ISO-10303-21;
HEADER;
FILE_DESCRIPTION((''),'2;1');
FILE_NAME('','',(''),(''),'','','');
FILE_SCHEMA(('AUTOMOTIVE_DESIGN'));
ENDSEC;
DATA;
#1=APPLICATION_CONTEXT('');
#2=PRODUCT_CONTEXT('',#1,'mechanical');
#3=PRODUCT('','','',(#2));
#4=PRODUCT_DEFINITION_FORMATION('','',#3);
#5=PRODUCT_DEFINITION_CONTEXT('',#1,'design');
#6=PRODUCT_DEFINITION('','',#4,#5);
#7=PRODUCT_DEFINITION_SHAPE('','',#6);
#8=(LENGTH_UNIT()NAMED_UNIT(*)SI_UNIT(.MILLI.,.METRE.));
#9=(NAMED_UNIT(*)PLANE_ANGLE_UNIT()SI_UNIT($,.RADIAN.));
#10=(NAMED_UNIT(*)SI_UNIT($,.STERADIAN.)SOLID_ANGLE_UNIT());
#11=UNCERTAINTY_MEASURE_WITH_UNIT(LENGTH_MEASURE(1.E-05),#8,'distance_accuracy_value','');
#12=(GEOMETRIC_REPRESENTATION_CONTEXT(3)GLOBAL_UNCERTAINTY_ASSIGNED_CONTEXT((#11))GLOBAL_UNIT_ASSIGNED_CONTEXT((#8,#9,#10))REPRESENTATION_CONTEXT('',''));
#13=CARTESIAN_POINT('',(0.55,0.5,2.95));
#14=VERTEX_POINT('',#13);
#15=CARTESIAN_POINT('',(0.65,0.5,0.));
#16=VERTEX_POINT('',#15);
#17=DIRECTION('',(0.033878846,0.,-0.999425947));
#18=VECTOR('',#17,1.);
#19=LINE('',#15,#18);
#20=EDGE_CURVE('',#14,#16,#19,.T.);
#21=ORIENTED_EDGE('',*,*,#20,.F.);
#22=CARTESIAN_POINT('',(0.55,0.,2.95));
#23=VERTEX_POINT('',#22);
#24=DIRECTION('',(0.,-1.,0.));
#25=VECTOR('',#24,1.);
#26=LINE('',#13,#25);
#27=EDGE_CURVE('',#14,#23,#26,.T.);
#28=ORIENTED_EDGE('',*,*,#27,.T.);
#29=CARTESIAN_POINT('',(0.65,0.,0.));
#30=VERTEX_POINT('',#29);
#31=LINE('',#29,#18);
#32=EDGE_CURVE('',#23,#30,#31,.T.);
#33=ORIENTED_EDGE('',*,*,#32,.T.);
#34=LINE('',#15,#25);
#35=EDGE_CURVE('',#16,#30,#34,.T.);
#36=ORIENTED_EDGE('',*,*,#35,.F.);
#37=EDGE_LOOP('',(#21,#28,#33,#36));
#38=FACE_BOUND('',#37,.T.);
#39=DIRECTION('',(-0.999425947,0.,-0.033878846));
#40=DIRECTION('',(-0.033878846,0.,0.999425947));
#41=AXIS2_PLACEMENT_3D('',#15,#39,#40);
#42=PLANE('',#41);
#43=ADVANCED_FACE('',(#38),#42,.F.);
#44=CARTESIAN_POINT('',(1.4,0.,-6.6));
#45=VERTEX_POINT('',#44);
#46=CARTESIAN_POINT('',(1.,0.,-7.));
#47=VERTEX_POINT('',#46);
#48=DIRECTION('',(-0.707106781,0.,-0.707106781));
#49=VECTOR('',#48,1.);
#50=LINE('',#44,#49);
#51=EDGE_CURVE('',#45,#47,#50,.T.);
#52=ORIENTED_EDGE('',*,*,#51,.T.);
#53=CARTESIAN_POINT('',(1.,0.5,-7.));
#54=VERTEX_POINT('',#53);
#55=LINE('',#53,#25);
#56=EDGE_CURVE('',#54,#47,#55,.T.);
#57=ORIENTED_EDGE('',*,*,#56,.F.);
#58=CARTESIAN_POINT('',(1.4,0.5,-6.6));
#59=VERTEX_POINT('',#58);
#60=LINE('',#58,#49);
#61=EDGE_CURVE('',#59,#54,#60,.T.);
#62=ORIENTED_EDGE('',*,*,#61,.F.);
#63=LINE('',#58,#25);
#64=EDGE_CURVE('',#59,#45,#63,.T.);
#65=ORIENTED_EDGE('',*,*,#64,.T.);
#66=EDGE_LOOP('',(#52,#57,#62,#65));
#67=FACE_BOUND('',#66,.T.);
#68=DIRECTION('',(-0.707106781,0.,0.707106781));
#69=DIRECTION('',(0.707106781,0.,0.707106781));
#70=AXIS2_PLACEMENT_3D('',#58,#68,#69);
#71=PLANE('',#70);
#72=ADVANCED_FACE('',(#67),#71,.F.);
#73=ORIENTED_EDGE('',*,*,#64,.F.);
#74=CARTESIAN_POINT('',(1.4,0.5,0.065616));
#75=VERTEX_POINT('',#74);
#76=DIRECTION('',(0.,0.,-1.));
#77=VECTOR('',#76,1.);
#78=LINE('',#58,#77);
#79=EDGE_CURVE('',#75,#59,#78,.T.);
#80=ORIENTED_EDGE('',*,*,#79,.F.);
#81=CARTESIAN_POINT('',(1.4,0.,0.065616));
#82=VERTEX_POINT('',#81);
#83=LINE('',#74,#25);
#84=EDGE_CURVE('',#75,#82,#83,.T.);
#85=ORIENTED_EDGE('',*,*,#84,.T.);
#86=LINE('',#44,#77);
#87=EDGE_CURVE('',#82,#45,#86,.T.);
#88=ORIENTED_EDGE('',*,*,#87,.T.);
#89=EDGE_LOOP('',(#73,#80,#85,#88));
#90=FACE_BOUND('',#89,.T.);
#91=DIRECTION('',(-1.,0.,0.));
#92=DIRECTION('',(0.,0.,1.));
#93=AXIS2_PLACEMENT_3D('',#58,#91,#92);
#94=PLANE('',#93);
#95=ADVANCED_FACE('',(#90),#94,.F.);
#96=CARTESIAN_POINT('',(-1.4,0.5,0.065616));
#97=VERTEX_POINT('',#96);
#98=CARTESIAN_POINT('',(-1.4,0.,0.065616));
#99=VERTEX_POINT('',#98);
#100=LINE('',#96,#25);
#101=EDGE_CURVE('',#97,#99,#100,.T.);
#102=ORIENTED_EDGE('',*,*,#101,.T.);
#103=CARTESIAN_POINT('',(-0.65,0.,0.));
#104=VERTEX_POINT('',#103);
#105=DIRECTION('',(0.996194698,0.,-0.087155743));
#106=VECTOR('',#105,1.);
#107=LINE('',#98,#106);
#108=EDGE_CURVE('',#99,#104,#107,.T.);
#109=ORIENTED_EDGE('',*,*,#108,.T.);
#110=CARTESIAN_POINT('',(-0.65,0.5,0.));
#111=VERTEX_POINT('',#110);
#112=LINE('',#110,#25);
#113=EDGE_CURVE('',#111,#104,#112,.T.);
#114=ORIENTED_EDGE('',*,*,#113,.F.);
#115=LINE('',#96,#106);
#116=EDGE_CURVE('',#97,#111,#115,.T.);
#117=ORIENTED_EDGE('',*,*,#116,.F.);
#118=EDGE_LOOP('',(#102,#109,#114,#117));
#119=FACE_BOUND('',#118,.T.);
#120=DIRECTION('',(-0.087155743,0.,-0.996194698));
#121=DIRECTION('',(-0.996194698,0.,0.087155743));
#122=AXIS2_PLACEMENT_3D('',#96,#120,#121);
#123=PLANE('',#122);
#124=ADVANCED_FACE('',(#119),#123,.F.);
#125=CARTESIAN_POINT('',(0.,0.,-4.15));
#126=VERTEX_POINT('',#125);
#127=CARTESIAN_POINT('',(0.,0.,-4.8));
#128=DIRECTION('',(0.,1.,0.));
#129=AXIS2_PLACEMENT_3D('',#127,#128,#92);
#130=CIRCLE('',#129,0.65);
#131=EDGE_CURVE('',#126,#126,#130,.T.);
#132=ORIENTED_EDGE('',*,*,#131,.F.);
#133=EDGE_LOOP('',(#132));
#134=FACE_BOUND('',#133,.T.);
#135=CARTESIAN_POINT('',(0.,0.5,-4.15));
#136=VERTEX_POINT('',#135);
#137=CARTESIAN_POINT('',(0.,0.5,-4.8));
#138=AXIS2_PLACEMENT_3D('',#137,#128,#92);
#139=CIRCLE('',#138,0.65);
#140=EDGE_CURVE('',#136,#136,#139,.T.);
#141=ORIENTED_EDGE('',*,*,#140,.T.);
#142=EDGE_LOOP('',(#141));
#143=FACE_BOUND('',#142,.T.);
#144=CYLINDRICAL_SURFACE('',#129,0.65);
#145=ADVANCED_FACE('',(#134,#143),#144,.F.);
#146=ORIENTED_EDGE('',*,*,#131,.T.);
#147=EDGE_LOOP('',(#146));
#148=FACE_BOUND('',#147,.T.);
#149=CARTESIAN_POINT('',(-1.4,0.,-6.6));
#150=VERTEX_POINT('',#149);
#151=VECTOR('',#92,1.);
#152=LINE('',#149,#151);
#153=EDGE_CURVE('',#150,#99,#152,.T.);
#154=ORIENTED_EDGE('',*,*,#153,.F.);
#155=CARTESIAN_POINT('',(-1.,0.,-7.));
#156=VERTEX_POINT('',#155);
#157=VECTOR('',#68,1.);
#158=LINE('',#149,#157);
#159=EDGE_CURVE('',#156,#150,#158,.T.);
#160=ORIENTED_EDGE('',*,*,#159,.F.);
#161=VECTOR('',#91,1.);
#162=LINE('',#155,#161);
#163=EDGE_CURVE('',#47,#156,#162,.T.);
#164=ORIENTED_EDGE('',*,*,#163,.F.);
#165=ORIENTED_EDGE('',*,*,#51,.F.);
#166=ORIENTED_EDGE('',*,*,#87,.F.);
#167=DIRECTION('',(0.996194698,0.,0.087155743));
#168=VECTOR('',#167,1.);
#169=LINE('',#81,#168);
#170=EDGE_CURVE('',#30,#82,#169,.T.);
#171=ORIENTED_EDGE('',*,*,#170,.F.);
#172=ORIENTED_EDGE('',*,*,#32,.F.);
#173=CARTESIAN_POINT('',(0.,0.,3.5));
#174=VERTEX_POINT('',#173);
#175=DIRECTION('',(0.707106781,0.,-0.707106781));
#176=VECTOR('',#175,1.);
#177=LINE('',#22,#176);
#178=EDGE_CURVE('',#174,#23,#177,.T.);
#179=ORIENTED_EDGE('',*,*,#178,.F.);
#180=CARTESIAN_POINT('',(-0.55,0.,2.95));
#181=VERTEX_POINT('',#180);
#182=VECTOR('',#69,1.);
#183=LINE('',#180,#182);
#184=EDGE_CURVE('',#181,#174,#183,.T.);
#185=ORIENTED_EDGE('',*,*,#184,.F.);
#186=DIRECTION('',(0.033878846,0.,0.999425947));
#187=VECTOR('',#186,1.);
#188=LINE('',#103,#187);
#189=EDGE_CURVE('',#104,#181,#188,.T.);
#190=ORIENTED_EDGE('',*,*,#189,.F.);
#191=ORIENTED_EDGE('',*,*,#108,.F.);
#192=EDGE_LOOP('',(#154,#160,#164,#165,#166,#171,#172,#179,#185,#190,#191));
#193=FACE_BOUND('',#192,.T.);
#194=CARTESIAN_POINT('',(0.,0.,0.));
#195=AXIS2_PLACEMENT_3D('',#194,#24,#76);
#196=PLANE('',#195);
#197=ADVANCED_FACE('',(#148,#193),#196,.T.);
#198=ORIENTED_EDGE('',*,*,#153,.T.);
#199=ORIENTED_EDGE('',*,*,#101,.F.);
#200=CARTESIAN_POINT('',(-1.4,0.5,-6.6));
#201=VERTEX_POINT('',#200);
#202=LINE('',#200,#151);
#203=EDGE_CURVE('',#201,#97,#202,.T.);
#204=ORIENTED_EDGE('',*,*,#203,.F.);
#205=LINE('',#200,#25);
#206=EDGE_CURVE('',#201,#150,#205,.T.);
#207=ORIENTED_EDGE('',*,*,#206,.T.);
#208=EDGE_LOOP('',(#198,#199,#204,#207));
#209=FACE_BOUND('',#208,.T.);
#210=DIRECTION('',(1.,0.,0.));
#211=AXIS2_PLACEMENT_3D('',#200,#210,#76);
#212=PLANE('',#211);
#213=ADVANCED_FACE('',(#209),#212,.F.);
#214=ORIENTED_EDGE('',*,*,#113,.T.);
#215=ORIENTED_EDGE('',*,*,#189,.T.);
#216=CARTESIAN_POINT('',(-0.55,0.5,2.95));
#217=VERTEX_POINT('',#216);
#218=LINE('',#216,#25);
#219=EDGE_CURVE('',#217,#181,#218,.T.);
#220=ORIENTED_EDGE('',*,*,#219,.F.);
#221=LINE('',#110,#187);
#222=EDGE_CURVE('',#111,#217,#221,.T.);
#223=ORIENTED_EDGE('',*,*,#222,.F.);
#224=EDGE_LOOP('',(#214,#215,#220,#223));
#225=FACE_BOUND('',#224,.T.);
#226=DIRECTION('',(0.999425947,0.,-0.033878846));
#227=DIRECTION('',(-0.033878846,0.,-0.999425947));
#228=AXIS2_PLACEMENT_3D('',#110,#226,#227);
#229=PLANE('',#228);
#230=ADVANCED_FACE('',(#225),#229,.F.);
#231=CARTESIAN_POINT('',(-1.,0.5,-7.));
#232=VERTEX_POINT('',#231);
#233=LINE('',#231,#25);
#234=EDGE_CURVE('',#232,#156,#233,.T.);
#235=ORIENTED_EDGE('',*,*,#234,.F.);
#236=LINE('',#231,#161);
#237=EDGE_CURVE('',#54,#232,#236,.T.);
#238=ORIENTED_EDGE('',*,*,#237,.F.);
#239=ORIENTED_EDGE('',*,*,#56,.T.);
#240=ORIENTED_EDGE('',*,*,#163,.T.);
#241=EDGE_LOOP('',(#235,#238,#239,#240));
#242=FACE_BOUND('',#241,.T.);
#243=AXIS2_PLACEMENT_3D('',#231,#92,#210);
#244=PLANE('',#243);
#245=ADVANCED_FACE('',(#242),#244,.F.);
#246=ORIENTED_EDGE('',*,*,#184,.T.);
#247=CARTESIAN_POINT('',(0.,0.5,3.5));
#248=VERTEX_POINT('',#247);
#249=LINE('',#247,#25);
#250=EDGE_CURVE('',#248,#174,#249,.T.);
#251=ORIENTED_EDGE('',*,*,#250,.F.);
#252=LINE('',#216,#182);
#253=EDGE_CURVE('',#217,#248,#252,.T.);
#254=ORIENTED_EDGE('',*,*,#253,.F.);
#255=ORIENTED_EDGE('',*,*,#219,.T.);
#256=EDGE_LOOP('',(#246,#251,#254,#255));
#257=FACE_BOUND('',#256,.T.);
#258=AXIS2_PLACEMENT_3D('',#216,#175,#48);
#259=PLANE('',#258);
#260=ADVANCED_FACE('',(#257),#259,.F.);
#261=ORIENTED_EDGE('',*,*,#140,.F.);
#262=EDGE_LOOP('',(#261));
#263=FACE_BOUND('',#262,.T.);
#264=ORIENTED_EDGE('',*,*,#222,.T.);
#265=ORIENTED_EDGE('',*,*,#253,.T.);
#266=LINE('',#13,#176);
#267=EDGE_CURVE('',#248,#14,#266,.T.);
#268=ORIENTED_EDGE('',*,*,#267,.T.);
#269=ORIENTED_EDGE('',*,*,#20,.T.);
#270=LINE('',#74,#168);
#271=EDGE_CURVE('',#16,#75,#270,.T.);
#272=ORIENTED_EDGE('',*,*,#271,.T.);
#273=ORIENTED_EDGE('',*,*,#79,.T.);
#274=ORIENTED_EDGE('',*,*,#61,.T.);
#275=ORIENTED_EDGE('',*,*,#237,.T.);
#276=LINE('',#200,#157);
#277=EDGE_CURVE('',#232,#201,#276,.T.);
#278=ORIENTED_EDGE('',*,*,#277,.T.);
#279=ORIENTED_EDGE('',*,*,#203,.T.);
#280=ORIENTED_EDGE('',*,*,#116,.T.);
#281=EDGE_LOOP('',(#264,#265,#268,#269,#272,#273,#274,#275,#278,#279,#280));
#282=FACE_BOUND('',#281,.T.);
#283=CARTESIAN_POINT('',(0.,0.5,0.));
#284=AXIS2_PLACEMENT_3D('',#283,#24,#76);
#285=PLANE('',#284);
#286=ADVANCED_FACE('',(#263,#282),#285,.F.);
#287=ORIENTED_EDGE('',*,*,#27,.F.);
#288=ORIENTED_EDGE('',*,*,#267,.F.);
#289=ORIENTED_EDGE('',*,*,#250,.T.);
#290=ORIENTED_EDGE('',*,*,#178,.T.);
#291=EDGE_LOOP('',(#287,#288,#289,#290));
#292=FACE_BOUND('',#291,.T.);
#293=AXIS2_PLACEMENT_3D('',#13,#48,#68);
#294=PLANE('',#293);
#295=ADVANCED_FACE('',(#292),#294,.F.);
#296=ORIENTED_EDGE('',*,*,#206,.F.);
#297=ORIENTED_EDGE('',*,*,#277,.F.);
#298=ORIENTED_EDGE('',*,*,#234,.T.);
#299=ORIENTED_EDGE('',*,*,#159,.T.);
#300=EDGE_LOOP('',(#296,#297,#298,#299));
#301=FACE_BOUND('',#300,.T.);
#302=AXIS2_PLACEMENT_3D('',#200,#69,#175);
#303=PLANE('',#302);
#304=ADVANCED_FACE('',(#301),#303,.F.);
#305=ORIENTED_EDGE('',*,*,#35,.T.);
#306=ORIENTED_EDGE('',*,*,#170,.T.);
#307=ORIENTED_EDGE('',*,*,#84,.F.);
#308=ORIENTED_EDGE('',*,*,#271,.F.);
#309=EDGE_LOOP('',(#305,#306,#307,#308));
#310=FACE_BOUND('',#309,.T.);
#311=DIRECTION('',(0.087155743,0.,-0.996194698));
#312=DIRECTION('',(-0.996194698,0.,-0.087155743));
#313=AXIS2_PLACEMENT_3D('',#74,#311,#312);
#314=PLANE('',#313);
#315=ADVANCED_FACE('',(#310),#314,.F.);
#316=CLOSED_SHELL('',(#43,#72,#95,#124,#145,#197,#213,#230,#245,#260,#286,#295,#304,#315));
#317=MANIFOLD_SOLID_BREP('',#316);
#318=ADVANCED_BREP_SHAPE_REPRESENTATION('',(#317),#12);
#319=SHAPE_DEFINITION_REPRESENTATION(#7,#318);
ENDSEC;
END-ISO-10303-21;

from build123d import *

# Parameters (mm, degrees)
BOSS_EXTRUDE2_DEPTH = 0.5
SKETCH3_R           = 0.65
CUT_EXTRUDE3_DEPTH  = 0.5


with BuildPart() as part:
    # Sketch1 → Boss-Extrude2 (new body)
    with BuildSketch(Plane(origin=(0, 0, 0), x_dir=(1, 0, 0), z_dir=(0, 1, 0))):
        Polygon((-1, 7), (1, 7), (1.4, 6.6), (1.4, -0.065616498), (0.65, 0), (0.55, -2.95), (0, -3.5), (-0.55, -2.95), (-0.65, 0), (-1.4, -0.065616498), (-1.4, 6.6), align=None)
    extrude(amount=BOSS_EXTRUDE2_DEPTH)

    # Sketch3 → Cut-Extrude3 (cut)
    with BuildSketch(Plane(origin=(0, 0.5, 0), x_dir=(1, 0, 0), z_dir=(0, 1, 0))):
        with Locations(Location((0, 4.8, 0), (0, 0, 270))):
            Circle(SKETCH3_R)
    extrude(amount=-CUT_EXTRUDE3_DEPTH, mode=Mode.SUBTRACT)


solid = part.part
